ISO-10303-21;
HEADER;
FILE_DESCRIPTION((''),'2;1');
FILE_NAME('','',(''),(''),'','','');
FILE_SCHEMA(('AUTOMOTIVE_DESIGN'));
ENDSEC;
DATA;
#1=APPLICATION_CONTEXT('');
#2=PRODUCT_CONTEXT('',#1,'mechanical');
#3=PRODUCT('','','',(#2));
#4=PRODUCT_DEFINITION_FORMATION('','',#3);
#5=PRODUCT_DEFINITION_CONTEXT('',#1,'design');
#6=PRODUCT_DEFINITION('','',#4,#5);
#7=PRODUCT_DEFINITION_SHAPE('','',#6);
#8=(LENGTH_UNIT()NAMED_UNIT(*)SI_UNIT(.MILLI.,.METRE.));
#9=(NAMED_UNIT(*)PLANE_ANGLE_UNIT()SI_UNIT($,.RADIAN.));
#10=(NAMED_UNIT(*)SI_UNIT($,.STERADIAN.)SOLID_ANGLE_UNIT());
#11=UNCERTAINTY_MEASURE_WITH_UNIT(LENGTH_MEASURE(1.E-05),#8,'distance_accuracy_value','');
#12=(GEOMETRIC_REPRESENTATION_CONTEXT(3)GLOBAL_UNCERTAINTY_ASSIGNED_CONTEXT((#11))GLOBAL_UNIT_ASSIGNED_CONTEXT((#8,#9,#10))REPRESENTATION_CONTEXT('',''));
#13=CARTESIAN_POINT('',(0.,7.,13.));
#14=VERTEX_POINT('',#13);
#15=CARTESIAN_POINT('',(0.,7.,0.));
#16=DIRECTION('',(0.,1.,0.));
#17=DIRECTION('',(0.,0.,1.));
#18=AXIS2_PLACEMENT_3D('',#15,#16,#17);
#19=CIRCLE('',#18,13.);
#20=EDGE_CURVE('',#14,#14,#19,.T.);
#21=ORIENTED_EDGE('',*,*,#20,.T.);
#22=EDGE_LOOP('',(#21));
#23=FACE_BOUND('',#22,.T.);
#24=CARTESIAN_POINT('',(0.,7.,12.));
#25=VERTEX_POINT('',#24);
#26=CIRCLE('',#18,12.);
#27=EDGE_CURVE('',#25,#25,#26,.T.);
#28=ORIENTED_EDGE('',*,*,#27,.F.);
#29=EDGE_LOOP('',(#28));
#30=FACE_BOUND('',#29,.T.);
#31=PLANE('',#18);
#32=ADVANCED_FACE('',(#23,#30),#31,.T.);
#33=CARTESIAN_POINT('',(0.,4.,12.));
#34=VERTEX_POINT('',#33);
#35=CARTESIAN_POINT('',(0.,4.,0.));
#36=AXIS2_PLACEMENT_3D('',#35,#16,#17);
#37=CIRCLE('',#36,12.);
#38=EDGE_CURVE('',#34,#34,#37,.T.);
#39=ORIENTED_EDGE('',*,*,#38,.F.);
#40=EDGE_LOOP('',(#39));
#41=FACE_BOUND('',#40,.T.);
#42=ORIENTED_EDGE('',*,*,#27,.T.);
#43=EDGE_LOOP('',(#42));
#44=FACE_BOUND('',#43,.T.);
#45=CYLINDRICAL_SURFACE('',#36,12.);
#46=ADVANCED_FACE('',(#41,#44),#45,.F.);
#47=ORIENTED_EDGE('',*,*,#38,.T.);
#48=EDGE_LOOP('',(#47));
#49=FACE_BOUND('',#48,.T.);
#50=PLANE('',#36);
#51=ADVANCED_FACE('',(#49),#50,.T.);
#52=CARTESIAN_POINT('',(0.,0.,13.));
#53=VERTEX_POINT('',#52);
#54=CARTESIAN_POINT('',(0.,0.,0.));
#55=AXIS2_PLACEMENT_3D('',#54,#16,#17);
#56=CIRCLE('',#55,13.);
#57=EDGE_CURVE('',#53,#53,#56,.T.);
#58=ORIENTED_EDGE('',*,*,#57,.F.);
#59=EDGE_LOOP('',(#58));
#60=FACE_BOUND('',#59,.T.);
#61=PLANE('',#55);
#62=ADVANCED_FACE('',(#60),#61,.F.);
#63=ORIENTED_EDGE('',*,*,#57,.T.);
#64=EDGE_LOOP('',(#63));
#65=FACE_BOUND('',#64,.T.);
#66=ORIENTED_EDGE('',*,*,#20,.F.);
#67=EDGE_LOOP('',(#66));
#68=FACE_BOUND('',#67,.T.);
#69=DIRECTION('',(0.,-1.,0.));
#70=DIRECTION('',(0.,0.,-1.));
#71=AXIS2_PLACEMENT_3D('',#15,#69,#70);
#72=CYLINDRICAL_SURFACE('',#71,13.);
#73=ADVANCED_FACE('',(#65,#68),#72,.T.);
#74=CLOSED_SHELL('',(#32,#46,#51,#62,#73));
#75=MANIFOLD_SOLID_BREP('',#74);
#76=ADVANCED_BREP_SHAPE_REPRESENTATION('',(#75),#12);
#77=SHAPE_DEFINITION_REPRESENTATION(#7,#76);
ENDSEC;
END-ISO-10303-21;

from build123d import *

# Parameters (mm, degrees)
SKETCH_1_R          = 13
EXTRUDE_1_DEPTH     = 7
SKETCH_2_R          = 12
CUT_EXTRUDE_1_DEPTH = 3


with BuildPart() as part:
    # 草图1 → 凸台-拉伸1 (new body)
    with BuildSketch(Plane(origin=(0, 0, 0), x_dir=(1, 0, 0), z_dir=(0, 1, 0))):
        with Locations(Location((0, 0, 0), (0, 0, 270))):
            Circle(SKETCH_1_R)
    extrude(amount=EXTRUDE_1_DEPTH)

    # 草图2 → 切除-拉伸1 (cut)
    with BuildSketch(Plane(origin=(0, 7, 0), x_dir=(1, 0, 0), z_dir=(0, 1, 0))):
        with Locations(Location((0, 0, 0), (0, 0, 270))):
            Circle(SKETCH_2_R)
    extrude(amount=-CUT_EXTRUDE_1_DEPTH, mode=Mode.SUBTRACT)


solid = part.part
